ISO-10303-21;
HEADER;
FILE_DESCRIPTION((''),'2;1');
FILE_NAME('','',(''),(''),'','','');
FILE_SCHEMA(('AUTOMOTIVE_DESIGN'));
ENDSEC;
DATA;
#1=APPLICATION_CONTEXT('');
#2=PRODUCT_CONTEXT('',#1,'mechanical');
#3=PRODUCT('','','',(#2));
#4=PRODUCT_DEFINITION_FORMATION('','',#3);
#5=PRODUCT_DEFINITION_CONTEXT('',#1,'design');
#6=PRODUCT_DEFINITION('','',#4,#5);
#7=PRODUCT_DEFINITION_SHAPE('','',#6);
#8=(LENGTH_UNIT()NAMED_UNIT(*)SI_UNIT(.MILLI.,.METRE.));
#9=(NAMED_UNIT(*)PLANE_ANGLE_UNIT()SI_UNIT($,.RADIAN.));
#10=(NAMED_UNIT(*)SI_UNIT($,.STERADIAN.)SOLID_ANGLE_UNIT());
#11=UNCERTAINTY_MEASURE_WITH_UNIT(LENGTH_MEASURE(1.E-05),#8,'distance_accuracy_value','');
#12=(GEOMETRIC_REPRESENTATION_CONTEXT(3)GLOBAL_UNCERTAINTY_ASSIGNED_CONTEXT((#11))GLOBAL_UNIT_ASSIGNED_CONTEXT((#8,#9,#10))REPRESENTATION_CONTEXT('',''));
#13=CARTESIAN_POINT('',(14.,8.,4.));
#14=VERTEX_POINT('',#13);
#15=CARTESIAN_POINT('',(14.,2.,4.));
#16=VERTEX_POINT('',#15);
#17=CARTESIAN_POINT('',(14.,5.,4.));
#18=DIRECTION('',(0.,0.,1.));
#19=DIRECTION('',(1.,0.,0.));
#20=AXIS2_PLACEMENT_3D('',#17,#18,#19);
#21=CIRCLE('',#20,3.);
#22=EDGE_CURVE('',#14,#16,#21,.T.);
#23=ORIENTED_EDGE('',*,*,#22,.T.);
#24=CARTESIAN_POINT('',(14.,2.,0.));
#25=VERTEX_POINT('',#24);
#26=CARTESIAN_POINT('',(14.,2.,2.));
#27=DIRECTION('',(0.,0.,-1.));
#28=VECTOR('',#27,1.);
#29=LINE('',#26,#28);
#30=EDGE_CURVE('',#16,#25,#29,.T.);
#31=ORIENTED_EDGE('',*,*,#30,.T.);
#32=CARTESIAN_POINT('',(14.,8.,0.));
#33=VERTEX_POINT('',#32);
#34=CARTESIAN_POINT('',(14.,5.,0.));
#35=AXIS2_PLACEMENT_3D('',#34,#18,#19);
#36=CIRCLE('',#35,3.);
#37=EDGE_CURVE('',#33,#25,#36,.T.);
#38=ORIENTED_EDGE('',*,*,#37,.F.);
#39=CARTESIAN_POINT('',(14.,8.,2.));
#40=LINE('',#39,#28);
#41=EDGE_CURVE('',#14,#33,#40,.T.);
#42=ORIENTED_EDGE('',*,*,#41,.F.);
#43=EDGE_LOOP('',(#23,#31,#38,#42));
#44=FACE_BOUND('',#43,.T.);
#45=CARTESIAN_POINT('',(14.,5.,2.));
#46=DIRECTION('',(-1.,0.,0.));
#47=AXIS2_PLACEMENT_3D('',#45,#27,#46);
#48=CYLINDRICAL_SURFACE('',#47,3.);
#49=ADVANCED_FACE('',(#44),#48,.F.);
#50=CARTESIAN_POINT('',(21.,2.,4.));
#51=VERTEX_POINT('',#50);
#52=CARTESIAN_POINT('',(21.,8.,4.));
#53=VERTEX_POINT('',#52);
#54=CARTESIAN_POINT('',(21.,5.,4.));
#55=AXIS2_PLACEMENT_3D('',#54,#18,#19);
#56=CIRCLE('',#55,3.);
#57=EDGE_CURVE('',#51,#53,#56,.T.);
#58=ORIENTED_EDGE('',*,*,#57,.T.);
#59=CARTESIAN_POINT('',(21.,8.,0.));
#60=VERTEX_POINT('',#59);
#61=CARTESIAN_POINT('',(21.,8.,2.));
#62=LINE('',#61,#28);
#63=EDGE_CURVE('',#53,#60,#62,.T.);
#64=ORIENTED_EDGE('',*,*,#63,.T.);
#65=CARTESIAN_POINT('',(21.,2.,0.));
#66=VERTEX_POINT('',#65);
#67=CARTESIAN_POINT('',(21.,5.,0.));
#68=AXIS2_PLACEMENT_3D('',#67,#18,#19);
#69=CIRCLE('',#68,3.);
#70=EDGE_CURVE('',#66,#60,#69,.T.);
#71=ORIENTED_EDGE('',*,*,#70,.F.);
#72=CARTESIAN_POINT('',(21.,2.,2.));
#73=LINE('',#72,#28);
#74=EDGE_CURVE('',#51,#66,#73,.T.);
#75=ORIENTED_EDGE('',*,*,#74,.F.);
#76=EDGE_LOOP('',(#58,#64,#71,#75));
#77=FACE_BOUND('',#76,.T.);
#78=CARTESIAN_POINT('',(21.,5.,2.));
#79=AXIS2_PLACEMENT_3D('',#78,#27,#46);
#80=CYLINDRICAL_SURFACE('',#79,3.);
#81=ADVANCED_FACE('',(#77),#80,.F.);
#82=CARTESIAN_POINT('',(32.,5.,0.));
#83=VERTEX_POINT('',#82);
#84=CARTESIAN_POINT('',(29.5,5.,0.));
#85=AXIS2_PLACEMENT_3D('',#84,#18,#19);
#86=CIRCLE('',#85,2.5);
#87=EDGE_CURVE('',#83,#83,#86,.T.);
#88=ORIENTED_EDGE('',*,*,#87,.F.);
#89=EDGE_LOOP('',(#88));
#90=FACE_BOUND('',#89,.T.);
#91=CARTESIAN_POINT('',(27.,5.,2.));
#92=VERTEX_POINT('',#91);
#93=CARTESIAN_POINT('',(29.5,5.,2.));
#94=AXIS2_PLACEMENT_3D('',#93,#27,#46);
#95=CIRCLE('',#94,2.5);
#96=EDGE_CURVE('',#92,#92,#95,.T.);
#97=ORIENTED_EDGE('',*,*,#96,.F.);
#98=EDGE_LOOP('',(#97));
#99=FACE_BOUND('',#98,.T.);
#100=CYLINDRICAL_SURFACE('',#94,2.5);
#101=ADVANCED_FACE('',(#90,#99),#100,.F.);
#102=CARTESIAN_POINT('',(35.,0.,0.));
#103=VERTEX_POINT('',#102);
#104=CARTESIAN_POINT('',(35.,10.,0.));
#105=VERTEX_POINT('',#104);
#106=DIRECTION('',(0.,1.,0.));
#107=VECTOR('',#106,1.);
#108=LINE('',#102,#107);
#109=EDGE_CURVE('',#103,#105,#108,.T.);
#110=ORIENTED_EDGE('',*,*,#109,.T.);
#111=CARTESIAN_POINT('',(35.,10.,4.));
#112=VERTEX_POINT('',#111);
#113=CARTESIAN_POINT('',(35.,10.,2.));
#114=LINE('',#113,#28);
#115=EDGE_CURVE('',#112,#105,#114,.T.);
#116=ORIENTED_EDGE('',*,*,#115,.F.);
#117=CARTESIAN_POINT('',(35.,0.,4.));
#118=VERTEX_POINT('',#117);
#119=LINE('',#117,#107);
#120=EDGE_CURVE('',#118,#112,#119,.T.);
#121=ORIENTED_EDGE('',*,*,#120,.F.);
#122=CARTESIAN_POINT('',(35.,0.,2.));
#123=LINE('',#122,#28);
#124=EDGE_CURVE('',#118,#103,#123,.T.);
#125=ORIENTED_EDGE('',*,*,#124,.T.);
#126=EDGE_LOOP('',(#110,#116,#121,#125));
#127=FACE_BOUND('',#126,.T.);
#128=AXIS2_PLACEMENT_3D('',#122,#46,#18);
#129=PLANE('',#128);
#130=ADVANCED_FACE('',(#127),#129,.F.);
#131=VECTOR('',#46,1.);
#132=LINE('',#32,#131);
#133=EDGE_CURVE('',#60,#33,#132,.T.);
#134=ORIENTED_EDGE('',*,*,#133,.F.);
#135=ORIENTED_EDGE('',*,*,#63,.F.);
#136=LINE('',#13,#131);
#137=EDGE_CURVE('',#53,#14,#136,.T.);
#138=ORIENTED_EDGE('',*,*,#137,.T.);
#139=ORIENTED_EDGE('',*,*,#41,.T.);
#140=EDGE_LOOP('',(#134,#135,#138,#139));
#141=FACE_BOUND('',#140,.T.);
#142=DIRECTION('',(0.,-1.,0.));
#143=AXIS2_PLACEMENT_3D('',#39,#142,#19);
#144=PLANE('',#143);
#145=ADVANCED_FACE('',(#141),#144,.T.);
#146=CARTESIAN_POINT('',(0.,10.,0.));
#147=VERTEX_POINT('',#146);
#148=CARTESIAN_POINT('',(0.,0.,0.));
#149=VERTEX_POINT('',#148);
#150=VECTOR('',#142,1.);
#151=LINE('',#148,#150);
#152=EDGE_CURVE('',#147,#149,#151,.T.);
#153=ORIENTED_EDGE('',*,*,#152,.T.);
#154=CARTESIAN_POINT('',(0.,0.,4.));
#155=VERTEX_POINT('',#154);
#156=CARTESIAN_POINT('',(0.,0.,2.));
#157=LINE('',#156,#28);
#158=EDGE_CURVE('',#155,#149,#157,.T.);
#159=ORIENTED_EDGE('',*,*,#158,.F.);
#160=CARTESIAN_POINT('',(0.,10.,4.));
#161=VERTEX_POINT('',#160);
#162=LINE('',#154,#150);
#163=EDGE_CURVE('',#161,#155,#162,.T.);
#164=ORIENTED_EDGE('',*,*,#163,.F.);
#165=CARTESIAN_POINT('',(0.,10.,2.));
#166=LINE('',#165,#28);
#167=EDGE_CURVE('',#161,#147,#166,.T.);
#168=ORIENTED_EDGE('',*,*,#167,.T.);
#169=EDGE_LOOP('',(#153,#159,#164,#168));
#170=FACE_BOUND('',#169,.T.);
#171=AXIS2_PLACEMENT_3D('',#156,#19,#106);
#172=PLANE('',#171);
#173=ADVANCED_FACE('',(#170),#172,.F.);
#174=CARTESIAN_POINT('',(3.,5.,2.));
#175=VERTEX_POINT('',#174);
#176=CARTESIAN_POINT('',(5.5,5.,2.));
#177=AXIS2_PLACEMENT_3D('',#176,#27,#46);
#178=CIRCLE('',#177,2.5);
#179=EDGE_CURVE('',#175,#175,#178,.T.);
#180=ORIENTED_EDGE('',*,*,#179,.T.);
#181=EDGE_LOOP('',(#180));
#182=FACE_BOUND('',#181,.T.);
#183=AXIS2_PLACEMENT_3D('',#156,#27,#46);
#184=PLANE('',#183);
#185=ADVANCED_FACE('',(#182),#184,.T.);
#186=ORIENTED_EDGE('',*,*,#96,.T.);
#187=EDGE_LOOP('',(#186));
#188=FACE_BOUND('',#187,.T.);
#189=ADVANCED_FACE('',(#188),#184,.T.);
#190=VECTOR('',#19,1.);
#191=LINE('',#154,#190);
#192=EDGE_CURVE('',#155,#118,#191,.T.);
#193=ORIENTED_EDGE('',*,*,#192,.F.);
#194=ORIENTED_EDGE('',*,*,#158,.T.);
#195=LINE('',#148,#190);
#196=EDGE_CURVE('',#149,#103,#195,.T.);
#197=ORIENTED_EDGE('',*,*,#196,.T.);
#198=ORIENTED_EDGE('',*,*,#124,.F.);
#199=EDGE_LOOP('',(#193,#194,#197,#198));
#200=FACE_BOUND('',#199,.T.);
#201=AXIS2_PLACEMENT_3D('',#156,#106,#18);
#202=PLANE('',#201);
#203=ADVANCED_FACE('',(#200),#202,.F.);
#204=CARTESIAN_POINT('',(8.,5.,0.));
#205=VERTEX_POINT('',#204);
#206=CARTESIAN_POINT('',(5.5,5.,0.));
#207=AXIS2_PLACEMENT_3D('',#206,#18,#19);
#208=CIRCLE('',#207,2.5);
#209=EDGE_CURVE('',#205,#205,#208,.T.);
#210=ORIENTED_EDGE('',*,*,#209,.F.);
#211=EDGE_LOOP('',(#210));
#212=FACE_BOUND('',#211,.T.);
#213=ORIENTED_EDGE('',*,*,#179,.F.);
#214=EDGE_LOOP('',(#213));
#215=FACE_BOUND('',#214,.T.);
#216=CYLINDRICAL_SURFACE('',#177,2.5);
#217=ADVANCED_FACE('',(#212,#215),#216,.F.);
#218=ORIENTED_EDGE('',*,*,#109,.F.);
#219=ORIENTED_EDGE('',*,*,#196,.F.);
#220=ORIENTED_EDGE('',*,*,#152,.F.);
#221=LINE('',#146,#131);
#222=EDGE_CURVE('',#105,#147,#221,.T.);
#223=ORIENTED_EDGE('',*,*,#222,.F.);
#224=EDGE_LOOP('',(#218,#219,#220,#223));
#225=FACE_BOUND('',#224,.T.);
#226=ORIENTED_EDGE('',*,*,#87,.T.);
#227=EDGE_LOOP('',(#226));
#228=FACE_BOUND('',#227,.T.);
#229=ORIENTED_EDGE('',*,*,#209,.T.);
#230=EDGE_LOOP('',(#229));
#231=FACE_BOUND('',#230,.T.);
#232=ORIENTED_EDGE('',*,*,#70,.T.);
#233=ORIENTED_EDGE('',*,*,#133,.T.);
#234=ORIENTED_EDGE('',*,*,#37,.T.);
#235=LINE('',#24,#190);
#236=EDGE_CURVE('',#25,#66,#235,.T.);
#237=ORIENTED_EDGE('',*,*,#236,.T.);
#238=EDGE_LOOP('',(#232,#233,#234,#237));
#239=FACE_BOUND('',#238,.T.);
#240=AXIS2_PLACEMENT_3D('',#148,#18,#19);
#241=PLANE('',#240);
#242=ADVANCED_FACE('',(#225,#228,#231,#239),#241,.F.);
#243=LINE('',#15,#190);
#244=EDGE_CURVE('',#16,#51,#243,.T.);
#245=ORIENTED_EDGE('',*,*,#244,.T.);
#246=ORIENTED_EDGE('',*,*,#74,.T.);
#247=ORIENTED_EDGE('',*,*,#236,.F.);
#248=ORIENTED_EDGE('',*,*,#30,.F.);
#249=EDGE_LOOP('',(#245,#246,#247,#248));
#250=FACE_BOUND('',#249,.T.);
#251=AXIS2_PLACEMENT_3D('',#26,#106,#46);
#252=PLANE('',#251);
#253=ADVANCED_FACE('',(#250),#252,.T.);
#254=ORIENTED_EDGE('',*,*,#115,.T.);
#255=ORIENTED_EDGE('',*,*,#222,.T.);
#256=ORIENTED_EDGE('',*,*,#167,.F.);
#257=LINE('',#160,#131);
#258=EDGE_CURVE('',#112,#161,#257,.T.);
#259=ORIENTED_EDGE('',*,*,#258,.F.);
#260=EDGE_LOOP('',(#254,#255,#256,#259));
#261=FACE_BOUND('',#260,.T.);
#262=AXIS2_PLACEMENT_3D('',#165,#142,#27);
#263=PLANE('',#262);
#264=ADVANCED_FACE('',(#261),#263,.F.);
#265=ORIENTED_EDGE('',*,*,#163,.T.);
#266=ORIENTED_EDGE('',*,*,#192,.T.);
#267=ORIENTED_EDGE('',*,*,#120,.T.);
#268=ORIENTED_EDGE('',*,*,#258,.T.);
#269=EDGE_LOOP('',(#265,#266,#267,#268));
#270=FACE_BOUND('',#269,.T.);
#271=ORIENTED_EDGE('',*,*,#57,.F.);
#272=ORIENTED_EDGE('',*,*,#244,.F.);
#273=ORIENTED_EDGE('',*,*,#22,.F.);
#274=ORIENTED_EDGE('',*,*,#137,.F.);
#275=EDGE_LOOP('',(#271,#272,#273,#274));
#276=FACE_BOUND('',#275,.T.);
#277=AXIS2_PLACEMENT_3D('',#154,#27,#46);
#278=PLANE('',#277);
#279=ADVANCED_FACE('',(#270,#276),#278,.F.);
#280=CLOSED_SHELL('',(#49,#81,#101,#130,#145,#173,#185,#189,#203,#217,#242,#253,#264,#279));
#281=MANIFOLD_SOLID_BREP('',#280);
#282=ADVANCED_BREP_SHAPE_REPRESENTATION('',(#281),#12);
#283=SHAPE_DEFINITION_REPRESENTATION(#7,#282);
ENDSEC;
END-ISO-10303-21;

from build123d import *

# Parameters (mm, degrees)
CROQUIS1_W              = 35
CROQUIS1_H              = 10
CROQUIS1_R              = 2.5
SALIENTE_EXTRUIR1_DEPTH = 2
CROQUIS2_W              = 35
CROQUIS2_H              = 10
SALIENTE_EXTRUIR2_DEPTH = 2


with BuildPart() as part:
    # Croquis1 → Saliente-Extruir1 (new body)
    with BuildSketch(Plane.XY):
        with Locations((17.5, 5)):
            Rectangle(CROQUIS1_W, CROQUIS1_H)
        with Locations((29.5, 5)):
            Circle(CROQUIS1_R, mode=Mode.SUBTRACT)
        with Locations((5.5, 5)):
            Circle(CROQUIS1_R, mode=Mode.SUBTRACT)
        with BuildLine():
            Line((14, 8), (21, 8))
            ThreePointArc((21, 8), (24, 5), (21, 2))
            Line((21, 2), (14, 2))
            ThreePointArc((14, 2), (11, 5), (14, 8))
        make_face(mode=Mode.SUBTRACT)
    extrude(amount=SALIENTE_EXTRUIR1_DEPTH)

    # Croquis2 → Saliente-Extruir2 (add)
    with BuildSketch(Plane.XY.offset(2)):
        with Locations((17.5, 5)):
            Rectangle(CROQUIS2_W, CROQUIS2_H)
        with BuildLine():
            Line((14, 8), (21, 8))
            ThreePointArc((21, 8), (24, 5), (21, 2))
            Line((21, 2), (14, 2))
            ThreePointArc((14, 2), (11, 5), (14, 8))
        make_face(mode=Mode.SUBTRACT)
    extrude(amount=SALIENTE_EXTRUIR2_DEPTH)


solid = part.part
